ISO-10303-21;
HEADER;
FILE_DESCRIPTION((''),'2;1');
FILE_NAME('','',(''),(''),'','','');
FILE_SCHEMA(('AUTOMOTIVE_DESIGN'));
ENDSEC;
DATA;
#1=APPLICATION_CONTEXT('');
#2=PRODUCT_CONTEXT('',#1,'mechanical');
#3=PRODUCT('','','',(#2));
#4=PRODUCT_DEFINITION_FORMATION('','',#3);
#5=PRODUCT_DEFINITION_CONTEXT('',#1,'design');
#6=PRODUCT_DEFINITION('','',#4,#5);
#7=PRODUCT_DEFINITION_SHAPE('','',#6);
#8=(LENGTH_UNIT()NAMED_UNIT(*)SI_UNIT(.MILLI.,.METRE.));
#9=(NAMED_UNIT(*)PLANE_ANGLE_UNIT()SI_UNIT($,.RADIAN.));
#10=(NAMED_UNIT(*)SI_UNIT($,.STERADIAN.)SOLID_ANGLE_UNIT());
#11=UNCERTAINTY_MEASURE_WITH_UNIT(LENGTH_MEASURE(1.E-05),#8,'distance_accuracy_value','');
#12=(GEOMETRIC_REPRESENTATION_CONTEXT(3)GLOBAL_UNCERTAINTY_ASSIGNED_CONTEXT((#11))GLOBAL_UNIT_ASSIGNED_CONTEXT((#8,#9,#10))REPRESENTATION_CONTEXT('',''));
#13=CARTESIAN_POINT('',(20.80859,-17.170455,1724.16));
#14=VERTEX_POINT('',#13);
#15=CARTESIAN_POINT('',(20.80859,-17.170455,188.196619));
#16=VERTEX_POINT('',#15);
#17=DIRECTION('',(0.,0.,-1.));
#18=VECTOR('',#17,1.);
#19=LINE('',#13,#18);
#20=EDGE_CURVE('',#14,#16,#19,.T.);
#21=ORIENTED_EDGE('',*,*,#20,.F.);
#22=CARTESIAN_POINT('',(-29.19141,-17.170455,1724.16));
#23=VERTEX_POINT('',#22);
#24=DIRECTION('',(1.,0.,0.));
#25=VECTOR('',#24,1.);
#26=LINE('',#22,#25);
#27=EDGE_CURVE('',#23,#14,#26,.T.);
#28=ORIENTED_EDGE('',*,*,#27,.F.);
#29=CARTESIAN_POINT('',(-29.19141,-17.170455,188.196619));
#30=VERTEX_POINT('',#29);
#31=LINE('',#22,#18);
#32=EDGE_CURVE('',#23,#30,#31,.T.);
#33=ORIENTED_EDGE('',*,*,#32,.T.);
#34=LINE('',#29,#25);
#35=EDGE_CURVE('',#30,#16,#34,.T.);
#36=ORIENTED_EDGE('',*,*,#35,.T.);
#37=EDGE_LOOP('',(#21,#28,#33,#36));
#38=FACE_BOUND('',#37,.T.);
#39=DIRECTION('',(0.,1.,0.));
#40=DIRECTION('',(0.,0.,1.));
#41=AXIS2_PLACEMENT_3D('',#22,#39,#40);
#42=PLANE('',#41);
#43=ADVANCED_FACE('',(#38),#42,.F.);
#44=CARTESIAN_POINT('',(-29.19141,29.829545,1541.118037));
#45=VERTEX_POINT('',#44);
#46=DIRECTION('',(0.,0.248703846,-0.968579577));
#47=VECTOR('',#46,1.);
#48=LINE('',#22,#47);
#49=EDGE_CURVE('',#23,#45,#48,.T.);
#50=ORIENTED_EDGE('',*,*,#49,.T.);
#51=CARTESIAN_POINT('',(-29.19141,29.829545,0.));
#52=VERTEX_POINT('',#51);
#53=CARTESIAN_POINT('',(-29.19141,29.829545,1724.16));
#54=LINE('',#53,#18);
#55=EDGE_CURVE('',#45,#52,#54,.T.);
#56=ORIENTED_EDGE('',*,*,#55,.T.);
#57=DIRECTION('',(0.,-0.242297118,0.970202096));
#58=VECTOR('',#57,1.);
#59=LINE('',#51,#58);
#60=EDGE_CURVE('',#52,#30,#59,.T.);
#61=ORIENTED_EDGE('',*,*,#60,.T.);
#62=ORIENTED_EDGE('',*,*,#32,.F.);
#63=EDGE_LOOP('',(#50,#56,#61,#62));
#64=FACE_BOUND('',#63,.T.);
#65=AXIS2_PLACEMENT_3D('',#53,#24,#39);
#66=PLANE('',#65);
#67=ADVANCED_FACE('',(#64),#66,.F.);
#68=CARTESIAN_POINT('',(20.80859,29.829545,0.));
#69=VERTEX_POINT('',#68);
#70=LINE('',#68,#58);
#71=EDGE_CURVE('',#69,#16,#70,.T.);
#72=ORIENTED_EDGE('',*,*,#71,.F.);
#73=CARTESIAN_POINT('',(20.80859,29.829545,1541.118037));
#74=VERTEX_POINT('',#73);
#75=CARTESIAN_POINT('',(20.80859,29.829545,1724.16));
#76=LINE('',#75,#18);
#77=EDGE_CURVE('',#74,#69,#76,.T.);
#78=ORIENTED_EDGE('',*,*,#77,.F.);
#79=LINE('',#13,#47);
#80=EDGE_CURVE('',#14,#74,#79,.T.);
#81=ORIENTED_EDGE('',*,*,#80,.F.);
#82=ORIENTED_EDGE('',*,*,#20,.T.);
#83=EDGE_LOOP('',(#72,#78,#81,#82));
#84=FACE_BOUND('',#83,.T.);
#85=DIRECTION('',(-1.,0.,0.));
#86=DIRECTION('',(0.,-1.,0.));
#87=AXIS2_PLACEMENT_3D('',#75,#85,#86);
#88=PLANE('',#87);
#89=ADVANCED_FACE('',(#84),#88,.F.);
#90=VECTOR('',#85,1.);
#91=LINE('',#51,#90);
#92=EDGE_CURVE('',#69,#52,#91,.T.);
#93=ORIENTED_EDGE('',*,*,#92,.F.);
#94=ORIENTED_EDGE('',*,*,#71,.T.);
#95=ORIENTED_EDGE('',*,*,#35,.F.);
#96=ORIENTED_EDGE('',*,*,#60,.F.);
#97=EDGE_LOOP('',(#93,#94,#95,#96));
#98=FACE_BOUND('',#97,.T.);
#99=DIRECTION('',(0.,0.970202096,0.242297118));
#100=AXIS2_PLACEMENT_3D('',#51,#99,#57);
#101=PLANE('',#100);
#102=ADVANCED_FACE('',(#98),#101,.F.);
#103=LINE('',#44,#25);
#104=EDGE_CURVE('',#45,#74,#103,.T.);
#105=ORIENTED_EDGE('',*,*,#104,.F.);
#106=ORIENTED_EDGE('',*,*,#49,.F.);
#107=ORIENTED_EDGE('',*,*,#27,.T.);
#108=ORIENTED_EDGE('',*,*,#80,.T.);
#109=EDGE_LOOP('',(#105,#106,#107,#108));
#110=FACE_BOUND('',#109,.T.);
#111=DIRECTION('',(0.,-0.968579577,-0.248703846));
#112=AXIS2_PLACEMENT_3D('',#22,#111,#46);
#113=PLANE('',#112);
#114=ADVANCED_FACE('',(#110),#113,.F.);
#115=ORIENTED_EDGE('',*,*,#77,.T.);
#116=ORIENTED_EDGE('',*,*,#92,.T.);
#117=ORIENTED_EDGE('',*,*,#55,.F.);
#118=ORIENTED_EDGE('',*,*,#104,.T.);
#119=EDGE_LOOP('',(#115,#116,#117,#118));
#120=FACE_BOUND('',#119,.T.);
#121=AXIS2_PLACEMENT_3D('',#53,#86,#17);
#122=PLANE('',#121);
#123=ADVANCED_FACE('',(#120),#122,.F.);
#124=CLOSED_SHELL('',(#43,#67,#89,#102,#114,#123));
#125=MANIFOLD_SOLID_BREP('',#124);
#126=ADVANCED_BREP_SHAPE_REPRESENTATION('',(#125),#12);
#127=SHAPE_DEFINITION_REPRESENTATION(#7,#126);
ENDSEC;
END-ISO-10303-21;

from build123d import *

# Parameters (mm, degrees)
SKETCH1_W           = 50
SKETCH1_H           = 47
BOSS_EXTRUDE1_DEPTH = 1724.16
CUT_EXTRUDE1_DEPTH  = 50


with BuildPart() as part:
    # Sketch1 → Boss-Extrude1 (new body)
    with BuildSketch(Plane.XY):
        with Locations((-4.191409651, 6.329545455)):
            Rectangle(SKETCH1_W, SKETCH1_H)
    extrude(amount=BOSS_EXTRUDE1_DEPTH)

    # Sketch2 → Cut-Extrude1 (cut)
    with BuildSketch(Plane(origin=(20.808590349, 0, 0), x_dir=(0, 0, -1), z_dir=(1, 0, 0))):
        Polygon((-1724.16, -17.170454545), (-1541.118037165, 29.829545455), (-1724.16, 29.829545455), align=None)
        Polygon((0, 29.829545455), (0, -17.170454545), (-188.196619138, -17.170454545), align=None)
    extrude(amount=-CUT_EXTRUDE1_DEPTH, mode=Mode.SUBTRACT)


solid = part.part
